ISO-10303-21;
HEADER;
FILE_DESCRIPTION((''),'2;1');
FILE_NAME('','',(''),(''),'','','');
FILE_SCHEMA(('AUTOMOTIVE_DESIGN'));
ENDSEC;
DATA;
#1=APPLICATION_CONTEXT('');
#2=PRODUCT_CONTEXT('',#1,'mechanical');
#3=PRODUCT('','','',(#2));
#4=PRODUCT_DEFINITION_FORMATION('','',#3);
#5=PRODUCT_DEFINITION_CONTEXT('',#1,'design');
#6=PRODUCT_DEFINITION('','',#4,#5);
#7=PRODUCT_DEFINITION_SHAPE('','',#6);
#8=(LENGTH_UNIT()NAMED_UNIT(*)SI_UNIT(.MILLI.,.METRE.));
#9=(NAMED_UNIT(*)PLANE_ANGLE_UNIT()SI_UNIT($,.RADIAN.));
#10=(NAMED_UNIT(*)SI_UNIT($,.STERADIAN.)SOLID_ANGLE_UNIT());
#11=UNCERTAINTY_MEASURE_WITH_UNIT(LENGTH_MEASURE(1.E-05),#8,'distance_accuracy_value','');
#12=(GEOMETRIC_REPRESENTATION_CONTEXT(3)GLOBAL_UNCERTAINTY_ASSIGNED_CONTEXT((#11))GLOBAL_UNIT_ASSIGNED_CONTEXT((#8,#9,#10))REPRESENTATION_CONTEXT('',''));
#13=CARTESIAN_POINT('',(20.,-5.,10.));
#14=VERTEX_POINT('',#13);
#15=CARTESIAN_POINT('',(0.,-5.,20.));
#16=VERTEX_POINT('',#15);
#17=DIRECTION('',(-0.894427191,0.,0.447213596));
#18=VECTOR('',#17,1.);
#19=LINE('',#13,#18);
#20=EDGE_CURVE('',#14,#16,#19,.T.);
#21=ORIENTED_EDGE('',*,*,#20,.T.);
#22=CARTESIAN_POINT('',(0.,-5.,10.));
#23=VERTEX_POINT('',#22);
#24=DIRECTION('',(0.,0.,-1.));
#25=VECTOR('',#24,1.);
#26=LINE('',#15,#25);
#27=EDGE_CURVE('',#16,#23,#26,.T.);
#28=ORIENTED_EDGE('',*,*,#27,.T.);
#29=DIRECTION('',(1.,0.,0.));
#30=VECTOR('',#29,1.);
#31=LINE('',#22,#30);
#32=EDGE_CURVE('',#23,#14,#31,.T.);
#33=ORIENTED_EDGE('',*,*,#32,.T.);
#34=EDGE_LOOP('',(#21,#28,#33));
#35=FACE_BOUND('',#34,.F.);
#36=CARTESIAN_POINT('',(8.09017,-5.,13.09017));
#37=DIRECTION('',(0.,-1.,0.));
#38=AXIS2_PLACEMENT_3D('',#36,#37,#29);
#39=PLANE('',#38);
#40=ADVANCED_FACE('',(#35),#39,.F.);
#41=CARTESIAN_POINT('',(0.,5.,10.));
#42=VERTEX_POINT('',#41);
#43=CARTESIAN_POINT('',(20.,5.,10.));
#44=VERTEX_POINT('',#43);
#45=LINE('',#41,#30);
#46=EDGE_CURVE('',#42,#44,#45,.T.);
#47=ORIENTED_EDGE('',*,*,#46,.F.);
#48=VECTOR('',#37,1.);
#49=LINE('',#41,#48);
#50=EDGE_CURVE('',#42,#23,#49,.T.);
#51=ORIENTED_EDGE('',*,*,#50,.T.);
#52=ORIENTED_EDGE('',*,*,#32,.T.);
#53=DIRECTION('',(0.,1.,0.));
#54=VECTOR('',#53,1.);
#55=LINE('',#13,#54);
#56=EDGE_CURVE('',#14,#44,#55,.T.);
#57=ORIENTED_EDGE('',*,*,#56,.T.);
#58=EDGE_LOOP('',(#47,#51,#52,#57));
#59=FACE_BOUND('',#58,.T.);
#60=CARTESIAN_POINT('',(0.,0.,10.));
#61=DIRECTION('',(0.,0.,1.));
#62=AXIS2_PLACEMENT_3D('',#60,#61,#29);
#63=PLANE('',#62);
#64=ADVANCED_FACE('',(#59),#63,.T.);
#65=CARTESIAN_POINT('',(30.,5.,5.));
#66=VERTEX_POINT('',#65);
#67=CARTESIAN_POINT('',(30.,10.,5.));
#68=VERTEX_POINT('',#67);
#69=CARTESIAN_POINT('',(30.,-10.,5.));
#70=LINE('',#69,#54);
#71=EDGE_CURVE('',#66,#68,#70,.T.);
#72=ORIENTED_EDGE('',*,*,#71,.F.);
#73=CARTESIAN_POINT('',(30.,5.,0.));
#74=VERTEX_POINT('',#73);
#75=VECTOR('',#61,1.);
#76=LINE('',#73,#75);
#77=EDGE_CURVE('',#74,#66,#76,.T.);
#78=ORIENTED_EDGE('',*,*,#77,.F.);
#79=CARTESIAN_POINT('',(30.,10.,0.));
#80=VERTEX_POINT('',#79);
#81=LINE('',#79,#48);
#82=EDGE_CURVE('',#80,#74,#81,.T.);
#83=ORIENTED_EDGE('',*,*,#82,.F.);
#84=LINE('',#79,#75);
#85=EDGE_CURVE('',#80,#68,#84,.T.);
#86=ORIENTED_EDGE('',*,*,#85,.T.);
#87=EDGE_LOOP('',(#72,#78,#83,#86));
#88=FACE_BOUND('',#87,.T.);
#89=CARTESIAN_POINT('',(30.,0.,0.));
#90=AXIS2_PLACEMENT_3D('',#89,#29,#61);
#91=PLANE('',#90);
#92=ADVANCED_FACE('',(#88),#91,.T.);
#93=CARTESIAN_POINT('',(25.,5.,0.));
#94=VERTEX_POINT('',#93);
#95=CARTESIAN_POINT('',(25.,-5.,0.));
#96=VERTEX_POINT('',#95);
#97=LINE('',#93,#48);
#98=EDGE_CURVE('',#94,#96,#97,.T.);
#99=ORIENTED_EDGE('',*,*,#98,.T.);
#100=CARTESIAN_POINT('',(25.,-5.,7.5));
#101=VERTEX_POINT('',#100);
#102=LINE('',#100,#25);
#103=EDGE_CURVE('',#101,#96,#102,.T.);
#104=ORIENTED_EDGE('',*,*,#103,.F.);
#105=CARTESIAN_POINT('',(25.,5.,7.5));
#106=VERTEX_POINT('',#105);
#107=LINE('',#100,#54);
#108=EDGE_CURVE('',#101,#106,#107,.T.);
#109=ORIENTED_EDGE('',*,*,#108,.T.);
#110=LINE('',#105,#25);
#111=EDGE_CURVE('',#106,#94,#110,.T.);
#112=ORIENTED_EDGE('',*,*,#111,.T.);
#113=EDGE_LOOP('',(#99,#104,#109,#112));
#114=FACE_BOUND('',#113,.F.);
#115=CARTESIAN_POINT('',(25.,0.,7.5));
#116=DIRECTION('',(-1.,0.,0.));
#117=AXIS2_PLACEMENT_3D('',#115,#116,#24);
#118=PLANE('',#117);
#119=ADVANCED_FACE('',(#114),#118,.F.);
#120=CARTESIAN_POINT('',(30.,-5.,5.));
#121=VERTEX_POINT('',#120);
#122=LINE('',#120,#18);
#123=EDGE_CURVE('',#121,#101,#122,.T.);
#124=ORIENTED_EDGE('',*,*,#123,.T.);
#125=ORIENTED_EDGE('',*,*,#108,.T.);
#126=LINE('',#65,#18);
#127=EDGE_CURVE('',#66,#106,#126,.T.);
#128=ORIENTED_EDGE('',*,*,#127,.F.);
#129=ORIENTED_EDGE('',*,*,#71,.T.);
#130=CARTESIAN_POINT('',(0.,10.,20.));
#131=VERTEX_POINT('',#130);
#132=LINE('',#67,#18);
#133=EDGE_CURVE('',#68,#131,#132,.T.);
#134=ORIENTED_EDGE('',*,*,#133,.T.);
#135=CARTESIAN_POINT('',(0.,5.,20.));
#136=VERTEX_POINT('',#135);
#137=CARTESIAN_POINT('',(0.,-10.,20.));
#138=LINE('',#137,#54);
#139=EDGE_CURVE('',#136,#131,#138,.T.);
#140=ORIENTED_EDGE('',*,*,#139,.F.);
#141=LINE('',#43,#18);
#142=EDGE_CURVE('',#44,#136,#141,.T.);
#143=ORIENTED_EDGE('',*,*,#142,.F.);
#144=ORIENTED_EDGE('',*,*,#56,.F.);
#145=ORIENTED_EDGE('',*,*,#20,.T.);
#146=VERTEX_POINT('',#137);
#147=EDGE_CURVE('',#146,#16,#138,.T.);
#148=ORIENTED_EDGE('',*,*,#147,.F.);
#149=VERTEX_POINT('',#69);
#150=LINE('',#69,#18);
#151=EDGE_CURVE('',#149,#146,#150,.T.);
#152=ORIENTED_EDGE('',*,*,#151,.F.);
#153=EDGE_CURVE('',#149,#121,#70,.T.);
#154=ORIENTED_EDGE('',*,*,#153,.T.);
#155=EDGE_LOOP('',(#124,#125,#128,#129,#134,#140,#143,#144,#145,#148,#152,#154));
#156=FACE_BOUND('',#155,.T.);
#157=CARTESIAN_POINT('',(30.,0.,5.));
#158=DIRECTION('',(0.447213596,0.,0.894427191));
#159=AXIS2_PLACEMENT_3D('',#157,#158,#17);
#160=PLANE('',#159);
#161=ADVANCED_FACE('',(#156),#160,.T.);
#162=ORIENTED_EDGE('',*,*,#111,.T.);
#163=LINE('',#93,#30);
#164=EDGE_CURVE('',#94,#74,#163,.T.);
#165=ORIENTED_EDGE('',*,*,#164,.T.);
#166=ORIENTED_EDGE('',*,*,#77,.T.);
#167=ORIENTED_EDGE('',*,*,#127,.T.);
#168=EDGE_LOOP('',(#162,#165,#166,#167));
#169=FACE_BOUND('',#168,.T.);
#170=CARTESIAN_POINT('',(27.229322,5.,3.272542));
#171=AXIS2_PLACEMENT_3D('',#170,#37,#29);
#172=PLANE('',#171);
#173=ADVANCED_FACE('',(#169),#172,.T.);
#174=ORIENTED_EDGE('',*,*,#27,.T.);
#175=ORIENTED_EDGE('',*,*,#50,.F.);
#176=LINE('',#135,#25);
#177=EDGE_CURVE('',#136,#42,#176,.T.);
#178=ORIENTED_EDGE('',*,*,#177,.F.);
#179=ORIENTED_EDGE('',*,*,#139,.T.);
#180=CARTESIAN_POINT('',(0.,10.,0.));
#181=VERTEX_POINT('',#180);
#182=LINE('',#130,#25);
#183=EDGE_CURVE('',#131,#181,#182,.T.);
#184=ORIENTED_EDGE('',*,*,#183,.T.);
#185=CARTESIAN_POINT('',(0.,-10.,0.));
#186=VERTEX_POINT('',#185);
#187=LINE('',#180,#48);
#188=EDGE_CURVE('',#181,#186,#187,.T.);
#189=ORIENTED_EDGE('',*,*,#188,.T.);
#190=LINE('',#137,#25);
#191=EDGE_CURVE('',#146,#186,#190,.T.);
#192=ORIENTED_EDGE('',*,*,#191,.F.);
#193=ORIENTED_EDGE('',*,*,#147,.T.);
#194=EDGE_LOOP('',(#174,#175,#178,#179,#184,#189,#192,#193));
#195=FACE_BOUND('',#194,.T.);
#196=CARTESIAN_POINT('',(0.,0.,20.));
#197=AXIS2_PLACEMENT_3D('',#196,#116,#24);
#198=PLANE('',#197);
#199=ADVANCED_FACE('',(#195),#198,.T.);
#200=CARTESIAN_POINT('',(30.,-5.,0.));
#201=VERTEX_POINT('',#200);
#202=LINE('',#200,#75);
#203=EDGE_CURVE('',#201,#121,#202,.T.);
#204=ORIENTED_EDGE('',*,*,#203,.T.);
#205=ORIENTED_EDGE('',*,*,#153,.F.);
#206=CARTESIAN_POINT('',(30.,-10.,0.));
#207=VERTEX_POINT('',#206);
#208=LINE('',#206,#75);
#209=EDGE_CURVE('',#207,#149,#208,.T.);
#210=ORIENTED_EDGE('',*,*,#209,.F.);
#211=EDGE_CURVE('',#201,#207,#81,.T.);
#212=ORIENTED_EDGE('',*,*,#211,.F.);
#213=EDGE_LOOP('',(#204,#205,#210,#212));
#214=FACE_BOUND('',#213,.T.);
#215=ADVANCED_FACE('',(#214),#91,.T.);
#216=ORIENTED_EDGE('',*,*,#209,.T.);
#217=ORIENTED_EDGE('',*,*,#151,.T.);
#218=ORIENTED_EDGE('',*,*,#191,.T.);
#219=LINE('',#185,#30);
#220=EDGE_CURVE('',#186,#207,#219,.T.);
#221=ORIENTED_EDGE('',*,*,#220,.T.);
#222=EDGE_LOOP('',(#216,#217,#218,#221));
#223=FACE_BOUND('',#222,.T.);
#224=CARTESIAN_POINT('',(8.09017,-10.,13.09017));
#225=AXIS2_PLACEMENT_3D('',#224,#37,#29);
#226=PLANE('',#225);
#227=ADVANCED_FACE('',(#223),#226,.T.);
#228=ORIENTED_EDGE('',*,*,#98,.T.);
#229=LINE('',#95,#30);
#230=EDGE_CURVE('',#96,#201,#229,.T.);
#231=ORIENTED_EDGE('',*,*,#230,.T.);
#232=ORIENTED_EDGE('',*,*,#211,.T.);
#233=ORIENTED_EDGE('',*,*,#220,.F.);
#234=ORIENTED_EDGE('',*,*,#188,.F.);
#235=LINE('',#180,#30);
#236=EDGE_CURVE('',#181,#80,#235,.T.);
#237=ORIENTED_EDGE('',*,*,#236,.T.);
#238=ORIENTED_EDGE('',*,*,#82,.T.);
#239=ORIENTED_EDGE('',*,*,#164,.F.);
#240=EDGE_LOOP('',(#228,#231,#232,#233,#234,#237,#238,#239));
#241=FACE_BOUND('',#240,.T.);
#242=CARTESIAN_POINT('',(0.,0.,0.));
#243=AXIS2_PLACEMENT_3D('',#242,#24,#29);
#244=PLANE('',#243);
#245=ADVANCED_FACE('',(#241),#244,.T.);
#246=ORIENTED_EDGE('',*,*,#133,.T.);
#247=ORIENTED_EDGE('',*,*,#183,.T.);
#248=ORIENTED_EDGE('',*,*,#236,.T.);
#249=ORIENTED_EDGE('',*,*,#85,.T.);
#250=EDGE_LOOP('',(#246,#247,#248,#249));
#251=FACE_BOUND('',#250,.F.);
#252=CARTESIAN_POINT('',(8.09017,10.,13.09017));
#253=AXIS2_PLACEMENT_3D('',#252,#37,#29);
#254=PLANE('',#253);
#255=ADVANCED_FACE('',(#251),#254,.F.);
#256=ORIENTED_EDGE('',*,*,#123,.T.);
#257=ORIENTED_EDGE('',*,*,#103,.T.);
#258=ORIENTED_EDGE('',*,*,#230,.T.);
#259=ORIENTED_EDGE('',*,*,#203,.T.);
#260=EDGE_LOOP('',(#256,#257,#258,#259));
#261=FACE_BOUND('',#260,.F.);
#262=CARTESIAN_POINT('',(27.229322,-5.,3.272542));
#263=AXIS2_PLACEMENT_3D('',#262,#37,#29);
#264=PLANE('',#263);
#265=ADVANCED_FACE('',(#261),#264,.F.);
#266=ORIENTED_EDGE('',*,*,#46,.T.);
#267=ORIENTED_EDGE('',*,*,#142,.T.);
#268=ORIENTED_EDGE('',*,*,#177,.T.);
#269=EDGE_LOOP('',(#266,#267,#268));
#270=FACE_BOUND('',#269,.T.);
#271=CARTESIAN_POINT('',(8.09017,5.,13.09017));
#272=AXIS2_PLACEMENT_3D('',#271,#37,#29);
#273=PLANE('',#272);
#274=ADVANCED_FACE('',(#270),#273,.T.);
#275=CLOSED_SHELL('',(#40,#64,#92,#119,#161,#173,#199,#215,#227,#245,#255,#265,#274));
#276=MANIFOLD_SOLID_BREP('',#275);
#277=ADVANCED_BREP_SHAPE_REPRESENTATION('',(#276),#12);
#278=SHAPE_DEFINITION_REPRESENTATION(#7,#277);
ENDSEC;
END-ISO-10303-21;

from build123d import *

# Parameters (mm, degrees)
F1_DEPTH = 10
F2_DEPTH = 5


with BuildPart() as f1:
    # F0 (on Front) → F1 (new body, symmetric)
    with BuildSketch(Plane.XZ):
        Polygon((0, 20), (0, 10), (20, 10), align=None)
        Polygon((0, 10), (0, 0), (25, 0), (25, 7.5), (20, 10), align=None)
        Polygon((25, 7.5), (25, 0), (30, 0), (30, 5), align=None)
    extrude(amount=F1_DEPTH, both=True)

    # F0 (on Front) → F2 (cut, symmetric)
    with BuildSketch(Plane.XZ):
        Polygon((0, 20), (0, 10), (20, 10), align=None)
        Polygon((25, 7.5), (25, 0), (30, 0), (30, 5), align=None)
    extrude(amount=F2_DEPTH, both=True, mode=Mode.SUBTRACT)


solid = f1.part
